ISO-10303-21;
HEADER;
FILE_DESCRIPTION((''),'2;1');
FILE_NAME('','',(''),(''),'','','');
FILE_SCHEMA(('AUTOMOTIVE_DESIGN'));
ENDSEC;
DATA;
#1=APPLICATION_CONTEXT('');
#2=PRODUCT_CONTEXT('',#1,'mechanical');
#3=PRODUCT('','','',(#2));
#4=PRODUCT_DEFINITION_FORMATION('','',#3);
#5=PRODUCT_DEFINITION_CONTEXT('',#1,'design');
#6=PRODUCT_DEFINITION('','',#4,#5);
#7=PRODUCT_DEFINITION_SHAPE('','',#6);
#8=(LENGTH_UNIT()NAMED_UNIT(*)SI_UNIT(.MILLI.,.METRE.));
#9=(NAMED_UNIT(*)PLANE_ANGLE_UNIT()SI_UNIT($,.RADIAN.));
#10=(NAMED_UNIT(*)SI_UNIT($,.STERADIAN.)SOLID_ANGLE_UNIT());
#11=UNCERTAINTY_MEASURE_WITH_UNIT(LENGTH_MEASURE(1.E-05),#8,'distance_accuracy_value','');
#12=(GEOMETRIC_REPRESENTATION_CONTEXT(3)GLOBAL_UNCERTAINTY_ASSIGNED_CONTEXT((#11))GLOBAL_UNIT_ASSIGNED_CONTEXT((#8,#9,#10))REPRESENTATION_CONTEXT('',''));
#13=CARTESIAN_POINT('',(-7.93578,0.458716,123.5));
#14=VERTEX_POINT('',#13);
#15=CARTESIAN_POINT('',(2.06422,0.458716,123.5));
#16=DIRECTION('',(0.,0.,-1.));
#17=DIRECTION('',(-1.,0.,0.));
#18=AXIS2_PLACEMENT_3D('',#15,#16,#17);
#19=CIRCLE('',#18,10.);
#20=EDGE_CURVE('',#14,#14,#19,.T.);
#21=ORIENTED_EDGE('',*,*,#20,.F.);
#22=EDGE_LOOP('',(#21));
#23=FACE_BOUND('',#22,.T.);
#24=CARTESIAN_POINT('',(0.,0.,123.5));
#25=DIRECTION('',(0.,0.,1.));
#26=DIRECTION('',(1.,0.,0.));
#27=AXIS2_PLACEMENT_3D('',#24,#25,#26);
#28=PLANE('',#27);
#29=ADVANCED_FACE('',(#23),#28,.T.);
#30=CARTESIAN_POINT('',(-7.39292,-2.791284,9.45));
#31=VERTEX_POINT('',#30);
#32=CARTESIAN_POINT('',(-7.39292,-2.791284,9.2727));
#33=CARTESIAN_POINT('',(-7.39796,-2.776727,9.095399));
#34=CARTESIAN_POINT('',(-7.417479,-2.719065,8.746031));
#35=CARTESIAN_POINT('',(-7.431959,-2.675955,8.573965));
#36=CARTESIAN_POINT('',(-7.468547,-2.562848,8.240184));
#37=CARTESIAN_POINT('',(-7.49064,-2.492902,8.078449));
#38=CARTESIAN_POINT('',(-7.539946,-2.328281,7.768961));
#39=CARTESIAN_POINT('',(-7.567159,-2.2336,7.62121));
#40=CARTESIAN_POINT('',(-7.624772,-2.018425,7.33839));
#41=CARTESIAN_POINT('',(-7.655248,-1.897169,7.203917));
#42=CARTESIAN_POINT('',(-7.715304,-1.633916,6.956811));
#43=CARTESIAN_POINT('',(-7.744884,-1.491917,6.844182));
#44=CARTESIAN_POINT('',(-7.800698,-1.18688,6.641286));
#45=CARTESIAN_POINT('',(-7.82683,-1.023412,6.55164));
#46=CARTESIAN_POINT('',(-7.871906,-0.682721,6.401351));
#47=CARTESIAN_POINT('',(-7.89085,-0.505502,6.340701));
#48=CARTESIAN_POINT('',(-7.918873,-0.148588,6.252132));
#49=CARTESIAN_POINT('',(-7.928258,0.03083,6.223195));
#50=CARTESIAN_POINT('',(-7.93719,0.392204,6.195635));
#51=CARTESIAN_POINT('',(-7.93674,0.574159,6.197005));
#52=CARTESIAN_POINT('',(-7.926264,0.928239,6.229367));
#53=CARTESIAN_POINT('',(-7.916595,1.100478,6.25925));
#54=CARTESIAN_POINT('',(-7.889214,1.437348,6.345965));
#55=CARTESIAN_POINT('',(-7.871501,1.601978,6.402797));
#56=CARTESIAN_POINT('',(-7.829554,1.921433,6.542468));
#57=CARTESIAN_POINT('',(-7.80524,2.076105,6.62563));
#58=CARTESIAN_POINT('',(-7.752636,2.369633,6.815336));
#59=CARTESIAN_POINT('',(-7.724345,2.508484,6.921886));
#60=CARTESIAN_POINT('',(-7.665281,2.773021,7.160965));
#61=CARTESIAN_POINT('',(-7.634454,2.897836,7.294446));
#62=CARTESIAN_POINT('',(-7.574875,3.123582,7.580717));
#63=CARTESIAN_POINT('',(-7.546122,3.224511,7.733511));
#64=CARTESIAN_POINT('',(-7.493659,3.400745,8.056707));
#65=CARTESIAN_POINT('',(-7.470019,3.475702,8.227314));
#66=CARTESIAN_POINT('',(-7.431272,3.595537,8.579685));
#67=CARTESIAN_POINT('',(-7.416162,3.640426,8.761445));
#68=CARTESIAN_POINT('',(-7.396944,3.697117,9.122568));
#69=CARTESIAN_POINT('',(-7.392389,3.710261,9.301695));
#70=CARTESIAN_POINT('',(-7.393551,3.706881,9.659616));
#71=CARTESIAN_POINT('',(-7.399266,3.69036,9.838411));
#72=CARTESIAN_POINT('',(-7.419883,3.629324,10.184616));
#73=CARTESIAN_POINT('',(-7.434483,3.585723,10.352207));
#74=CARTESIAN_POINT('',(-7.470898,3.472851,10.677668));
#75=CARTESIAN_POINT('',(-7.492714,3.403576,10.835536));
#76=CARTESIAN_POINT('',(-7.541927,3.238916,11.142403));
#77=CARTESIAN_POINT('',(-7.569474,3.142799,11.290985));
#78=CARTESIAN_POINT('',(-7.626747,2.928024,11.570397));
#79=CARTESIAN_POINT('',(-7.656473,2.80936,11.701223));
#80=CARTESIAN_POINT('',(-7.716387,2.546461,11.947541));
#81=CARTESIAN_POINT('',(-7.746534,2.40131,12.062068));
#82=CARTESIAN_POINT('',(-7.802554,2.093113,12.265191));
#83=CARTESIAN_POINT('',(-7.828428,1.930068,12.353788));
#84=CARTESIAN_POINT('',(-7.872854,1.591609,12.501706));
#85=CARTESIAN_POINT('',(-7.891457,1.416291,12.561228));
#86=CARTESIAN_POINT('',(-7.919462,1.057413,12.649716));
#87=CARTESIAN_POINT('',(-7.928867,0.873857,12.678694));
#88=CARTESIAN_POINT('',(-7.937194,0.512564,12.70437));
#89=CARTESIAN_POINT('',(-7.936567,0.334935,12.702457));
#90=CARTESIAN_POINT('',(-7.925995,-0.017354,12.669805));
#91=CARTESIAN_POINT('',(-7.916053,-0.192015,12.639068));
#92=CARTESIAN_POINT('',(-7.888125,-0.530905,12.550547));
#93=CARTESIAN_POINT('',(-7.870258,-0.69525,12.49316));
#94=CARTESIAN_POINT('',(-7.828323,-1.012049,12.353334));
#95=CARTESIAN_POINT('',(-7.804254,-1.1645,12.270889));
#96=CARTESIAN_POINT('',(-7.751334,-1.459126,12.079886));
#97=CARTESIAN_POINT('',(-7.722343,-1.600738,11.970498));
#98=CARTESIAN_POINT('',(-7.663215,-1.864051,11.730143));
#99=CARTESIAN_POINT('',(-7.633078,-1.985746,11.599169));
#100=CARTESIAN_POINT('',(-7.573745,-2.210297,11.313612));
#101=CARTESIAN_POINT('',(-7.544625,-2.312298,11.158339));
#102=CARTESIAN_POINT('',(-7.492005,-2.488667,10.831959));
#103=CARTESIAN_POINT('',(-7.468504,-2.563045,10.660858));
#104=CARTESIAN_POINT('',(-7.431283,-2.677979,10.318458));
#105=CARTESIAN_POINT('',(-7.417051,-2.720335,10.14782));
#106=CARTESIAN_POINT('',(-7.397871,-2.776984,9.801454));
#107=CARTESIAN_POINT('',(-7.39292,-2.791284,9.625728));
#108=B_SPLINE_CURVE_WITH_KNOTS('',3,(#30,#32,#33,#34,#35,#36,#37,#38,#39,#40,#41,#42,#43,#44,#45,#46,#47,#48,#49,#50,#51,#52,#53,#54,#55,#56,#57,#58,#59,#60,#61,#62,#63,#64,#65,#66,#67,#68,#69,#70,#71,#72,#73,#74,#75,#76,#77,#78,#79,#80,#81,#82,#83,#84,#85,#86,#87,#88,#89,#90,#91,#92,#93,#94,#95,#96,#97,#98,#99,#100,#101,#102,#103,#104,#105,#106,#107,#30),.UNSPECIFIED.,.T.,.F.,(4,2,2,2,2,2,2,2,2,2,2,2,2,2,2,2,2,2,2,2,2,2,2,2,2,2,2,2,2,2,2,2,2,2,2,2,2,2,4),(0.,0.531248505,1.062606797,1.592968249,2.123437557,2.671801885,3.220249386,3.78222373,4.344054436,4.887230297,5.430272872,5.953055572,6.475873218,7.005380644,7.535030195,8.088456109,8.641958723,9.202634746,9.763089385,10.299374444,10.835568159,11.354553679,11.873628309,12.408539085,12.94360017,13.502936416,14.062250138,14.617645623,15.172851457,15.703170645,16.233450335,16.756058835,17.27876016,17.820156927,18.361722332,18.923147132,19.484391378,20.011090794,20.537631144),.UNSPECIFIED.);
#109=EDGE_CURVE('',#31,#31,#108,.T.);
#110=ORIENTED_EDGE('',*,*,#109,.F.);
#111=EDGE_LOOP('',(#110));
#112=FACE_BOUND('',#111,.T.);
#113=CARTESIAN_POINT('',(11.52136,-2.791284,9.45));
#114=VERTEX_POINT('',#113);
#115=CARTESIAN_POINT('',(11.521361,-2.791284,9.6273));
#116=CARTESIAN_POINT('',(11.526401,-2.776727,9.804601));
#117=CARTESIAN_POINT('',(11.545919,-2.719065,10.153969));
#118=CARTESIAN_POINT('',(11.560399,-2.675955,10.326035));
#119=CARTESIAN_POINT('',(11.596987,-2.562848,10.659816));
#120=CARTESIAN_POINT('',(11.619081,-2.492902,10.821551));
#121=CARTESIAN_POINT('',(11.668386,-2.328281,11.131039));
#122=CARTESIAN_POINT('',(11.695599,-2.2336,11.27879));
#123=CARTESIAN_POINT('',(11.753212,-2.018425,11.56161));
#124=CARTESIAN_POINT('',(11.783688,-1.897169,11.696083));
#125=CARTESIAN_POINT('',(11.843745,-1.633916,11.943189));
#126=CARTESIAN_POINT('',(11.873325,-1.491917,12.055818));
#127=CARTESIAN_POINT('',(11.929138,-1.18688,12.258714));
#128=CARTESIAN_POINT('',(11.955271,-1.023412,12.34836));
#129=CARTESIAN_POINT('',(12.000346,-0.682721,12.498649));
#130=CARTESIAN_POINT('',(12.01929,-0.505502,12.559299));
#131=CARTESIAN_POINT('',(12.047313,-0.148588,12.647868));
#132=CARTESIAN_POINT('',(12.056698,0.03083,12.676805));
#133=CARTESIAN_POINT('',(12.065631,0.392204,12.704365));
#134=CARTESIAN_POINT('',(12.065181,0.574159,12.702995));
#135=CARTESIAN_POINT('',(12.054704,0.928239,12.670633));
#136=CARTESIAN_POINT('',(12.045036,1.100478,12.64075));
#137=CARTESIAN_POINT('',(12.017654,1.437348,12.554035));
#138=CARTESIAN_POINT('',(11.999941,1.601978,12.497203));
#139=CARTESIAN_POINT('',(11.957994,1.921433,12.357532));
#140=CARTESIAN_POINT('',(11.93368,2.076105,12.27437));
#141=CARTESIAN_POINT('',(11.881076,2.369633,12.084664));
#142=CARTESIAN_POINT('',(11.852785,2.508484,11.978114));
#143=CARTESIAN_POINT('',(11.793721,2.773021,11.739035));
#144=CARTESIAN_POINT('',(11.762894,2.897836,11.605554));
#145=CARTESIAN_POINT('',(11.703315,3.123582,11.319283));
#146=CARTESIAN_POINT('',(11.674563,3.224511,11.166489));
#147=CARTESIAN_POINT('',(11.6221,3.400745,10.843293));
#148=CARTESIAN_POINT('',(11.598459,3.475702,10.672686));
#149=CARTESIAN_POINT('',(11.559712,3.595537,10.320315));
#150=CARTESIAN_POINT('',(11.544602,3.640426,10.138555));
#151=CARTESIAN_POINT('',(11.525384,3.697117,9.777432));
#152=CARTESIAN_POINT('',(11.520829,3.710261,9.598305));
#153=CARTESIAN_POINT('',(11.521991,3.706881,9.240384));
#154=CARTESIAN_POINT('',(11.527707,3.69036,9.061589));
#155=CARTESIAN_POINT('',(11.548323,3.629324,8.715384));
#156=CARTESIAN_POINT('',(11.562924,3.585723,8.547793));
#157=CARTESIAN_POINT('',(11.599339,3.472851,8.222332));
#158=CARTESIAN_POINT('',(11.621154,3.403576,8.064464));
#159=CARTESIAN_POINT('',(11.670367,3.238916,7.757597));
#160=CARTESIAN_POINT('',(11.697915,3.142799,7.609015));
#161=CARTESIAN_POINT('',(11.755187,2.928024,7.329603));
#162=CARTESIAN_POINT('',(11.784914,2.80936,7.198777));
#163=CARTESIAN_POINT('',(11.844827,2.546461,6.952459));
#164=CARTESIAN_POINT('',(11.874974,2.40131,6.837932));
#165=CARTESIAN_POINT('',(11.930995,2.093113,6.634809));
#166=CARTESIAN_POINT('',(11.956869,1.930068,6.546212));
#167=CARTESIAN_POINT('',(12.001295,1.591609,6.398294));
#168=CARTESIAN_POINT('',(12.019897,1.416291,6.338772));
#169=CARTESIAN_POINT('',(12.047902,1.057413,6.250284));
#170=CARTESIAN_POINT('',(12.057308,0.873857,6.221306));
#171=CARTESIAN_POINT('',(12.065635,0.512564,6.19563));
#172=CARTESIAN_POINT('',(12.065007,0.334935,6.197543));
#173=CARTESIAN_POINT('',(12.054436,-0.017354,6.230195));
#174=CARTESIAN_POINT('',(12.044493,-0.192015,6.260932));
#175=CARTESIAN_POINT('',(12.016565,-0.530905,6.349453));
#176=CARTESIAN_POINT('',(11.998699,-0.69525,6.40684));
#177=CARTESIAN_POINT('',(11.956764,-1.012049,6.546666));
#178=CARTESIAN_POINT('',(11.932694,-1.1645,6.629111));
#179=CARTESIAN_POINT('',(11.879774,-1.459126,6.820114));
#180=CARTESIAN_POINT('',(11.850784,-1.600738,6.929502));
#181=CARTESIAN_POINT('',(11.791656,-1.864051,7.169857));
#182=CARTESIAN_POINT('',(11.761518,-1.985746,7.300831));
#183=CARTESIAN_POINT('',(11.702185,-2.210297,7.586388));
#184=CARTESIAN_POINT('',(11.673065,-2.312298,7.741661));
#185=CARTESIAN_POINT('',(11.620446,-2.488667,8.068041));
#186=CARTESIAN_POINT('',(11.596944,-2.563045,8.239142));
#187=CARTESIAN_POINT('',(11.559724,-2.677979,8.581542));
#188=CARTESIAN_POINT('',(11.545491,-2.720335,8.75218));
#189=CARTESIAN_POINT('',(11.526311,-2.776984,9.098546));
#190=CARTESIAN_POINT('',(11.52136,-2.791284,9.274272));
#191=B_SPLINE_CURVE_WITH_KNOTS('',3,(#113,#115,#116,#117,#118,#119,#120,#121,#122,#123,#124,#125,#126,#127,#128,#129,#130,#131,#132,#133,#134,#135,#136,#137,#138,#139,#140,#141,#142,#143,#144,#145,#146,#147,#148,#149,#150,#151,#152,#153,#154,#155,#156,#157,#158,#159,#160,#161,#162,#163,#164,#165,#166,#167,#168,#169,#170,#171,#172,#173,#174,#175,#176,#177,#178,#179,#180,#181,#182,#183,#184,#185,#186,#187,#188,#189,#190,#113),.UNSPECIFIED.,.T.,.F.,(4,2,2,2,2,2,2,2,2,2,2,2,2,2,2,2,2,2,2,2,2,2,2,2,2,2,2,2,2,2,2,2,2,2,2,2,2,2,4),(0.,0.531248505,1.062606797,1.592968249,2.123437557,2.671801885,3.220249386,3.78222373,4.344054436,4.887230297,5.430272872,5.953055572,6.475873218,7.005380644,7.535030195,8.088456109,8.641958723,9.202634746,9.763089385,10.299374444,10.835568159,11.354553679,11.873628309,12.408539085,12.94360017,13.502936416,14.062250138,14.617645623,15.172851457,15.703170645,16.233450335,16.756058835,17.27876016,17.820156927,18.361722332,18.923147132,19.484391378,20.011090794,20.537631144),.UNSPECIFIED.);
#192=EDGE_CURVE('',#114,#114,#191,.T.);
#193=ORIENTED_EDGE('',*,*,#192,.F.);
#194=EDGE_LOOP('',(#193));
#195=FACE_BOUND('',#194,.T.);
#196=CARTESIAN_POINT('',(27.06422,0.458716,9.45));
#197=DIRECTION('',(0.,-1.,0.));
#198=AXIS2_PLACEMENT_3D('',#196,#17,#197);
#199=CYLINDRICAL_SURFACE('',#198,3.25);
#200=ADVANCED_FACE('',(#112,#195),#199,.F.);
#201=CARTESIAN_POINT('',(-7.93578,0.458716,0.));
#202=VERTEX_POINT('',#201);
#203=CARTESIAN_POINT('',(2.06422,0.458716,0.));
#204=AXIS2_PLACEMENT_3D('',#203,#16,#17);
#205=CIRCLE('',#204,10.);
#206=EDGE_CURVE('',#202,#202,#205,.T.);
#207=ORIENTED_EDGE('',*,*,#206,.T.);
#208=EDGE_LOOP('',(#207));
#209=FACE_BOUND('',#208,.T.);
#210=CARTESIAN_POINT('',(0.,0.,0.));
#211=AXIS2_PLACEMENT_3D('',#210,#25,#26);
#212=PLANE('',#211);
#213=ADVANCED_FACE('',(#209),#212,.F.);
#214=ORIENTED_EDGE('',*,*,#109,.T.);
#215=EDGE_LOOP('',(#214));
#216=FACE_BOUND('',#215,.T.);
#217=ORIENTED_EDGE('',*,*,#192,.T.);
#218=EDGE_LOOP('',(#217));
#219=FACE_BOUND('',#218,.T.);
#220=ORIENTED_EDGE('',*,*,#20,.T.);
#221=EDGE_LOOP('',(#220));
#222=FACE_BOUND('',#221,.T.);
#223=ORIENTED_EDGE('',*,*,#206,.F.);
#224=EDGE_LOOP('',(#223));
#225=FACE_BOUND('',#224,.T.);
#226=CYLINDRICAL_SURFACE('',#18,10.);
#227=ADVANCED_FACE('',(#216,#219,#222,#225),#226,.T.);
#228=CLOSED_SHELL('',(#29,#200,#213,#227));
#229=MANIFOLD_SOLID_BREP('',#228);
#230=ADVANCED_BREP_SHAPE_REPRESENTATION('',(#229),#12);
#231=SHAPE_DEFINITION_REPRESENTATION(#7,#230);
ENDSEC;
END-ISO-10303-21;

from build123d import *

# Parameters (mm, degrees)
SKETCH1_W           = 50
SKETCH1_H           = 50
BOSS_EXTRUDE1_DEPTH = 123.5
SKETCH2_R           = 3.25
CUT_EXTRUDE1_DEPTH  = 50
SKETCH3_OUTSIDE_W   = 80.462
SKETCH3_OUTSIDE_H   = 80.462
SKETCH3_OUTSIDE_R   = 10
CUT_EXTRUDE2_DEPTH  = 123.5


with BuildPart() as part:
    # Sketch1 → Boss-Extrude1 (new body)
    with BuildSketch(Plane.XY):
        with Locations((2.064220183, 0.458715596)):
            Rectangle(SKETCH1_W, SKETCH1_H)
    extrude(amount=BOSS_EXTRUDE1_DEPTH)

    # Sketch2 → Cut-Extrude1 (cut)
    with BuildSketch(Plane.ZY.offset(22.935779817)):
        with Locations((9.45, 0.458715596)):
            Circle(SKETCH2_R)
    extrude(amount=-CUT_EXTRUDE1_DEPTH, mode=Mode.SUBTRACT)

    # Sketch3 outside → Cut-Extrude2 (cut)
    with BuildSketch(Plane(origin=(0, 0, 0), x_dir=(-1, 0, 0), z_dir=(0, 0, -1))):
        with Locations((-2.064, 0.459)):
            Rectangle(SKETCH3_OUTSIDE_W, SKETCH3_OUTSIDE_H)
        with Locations((-2.064220183, 0.458715596)):
            Circle(SKETCH3_OUTSIDE_R, mode=Mode.SUBTRACT)
    extrude(amount=-CUT_EXTRUDE2_DEPTH, mode=Mode.SUBTRACT)


solid = part.part
